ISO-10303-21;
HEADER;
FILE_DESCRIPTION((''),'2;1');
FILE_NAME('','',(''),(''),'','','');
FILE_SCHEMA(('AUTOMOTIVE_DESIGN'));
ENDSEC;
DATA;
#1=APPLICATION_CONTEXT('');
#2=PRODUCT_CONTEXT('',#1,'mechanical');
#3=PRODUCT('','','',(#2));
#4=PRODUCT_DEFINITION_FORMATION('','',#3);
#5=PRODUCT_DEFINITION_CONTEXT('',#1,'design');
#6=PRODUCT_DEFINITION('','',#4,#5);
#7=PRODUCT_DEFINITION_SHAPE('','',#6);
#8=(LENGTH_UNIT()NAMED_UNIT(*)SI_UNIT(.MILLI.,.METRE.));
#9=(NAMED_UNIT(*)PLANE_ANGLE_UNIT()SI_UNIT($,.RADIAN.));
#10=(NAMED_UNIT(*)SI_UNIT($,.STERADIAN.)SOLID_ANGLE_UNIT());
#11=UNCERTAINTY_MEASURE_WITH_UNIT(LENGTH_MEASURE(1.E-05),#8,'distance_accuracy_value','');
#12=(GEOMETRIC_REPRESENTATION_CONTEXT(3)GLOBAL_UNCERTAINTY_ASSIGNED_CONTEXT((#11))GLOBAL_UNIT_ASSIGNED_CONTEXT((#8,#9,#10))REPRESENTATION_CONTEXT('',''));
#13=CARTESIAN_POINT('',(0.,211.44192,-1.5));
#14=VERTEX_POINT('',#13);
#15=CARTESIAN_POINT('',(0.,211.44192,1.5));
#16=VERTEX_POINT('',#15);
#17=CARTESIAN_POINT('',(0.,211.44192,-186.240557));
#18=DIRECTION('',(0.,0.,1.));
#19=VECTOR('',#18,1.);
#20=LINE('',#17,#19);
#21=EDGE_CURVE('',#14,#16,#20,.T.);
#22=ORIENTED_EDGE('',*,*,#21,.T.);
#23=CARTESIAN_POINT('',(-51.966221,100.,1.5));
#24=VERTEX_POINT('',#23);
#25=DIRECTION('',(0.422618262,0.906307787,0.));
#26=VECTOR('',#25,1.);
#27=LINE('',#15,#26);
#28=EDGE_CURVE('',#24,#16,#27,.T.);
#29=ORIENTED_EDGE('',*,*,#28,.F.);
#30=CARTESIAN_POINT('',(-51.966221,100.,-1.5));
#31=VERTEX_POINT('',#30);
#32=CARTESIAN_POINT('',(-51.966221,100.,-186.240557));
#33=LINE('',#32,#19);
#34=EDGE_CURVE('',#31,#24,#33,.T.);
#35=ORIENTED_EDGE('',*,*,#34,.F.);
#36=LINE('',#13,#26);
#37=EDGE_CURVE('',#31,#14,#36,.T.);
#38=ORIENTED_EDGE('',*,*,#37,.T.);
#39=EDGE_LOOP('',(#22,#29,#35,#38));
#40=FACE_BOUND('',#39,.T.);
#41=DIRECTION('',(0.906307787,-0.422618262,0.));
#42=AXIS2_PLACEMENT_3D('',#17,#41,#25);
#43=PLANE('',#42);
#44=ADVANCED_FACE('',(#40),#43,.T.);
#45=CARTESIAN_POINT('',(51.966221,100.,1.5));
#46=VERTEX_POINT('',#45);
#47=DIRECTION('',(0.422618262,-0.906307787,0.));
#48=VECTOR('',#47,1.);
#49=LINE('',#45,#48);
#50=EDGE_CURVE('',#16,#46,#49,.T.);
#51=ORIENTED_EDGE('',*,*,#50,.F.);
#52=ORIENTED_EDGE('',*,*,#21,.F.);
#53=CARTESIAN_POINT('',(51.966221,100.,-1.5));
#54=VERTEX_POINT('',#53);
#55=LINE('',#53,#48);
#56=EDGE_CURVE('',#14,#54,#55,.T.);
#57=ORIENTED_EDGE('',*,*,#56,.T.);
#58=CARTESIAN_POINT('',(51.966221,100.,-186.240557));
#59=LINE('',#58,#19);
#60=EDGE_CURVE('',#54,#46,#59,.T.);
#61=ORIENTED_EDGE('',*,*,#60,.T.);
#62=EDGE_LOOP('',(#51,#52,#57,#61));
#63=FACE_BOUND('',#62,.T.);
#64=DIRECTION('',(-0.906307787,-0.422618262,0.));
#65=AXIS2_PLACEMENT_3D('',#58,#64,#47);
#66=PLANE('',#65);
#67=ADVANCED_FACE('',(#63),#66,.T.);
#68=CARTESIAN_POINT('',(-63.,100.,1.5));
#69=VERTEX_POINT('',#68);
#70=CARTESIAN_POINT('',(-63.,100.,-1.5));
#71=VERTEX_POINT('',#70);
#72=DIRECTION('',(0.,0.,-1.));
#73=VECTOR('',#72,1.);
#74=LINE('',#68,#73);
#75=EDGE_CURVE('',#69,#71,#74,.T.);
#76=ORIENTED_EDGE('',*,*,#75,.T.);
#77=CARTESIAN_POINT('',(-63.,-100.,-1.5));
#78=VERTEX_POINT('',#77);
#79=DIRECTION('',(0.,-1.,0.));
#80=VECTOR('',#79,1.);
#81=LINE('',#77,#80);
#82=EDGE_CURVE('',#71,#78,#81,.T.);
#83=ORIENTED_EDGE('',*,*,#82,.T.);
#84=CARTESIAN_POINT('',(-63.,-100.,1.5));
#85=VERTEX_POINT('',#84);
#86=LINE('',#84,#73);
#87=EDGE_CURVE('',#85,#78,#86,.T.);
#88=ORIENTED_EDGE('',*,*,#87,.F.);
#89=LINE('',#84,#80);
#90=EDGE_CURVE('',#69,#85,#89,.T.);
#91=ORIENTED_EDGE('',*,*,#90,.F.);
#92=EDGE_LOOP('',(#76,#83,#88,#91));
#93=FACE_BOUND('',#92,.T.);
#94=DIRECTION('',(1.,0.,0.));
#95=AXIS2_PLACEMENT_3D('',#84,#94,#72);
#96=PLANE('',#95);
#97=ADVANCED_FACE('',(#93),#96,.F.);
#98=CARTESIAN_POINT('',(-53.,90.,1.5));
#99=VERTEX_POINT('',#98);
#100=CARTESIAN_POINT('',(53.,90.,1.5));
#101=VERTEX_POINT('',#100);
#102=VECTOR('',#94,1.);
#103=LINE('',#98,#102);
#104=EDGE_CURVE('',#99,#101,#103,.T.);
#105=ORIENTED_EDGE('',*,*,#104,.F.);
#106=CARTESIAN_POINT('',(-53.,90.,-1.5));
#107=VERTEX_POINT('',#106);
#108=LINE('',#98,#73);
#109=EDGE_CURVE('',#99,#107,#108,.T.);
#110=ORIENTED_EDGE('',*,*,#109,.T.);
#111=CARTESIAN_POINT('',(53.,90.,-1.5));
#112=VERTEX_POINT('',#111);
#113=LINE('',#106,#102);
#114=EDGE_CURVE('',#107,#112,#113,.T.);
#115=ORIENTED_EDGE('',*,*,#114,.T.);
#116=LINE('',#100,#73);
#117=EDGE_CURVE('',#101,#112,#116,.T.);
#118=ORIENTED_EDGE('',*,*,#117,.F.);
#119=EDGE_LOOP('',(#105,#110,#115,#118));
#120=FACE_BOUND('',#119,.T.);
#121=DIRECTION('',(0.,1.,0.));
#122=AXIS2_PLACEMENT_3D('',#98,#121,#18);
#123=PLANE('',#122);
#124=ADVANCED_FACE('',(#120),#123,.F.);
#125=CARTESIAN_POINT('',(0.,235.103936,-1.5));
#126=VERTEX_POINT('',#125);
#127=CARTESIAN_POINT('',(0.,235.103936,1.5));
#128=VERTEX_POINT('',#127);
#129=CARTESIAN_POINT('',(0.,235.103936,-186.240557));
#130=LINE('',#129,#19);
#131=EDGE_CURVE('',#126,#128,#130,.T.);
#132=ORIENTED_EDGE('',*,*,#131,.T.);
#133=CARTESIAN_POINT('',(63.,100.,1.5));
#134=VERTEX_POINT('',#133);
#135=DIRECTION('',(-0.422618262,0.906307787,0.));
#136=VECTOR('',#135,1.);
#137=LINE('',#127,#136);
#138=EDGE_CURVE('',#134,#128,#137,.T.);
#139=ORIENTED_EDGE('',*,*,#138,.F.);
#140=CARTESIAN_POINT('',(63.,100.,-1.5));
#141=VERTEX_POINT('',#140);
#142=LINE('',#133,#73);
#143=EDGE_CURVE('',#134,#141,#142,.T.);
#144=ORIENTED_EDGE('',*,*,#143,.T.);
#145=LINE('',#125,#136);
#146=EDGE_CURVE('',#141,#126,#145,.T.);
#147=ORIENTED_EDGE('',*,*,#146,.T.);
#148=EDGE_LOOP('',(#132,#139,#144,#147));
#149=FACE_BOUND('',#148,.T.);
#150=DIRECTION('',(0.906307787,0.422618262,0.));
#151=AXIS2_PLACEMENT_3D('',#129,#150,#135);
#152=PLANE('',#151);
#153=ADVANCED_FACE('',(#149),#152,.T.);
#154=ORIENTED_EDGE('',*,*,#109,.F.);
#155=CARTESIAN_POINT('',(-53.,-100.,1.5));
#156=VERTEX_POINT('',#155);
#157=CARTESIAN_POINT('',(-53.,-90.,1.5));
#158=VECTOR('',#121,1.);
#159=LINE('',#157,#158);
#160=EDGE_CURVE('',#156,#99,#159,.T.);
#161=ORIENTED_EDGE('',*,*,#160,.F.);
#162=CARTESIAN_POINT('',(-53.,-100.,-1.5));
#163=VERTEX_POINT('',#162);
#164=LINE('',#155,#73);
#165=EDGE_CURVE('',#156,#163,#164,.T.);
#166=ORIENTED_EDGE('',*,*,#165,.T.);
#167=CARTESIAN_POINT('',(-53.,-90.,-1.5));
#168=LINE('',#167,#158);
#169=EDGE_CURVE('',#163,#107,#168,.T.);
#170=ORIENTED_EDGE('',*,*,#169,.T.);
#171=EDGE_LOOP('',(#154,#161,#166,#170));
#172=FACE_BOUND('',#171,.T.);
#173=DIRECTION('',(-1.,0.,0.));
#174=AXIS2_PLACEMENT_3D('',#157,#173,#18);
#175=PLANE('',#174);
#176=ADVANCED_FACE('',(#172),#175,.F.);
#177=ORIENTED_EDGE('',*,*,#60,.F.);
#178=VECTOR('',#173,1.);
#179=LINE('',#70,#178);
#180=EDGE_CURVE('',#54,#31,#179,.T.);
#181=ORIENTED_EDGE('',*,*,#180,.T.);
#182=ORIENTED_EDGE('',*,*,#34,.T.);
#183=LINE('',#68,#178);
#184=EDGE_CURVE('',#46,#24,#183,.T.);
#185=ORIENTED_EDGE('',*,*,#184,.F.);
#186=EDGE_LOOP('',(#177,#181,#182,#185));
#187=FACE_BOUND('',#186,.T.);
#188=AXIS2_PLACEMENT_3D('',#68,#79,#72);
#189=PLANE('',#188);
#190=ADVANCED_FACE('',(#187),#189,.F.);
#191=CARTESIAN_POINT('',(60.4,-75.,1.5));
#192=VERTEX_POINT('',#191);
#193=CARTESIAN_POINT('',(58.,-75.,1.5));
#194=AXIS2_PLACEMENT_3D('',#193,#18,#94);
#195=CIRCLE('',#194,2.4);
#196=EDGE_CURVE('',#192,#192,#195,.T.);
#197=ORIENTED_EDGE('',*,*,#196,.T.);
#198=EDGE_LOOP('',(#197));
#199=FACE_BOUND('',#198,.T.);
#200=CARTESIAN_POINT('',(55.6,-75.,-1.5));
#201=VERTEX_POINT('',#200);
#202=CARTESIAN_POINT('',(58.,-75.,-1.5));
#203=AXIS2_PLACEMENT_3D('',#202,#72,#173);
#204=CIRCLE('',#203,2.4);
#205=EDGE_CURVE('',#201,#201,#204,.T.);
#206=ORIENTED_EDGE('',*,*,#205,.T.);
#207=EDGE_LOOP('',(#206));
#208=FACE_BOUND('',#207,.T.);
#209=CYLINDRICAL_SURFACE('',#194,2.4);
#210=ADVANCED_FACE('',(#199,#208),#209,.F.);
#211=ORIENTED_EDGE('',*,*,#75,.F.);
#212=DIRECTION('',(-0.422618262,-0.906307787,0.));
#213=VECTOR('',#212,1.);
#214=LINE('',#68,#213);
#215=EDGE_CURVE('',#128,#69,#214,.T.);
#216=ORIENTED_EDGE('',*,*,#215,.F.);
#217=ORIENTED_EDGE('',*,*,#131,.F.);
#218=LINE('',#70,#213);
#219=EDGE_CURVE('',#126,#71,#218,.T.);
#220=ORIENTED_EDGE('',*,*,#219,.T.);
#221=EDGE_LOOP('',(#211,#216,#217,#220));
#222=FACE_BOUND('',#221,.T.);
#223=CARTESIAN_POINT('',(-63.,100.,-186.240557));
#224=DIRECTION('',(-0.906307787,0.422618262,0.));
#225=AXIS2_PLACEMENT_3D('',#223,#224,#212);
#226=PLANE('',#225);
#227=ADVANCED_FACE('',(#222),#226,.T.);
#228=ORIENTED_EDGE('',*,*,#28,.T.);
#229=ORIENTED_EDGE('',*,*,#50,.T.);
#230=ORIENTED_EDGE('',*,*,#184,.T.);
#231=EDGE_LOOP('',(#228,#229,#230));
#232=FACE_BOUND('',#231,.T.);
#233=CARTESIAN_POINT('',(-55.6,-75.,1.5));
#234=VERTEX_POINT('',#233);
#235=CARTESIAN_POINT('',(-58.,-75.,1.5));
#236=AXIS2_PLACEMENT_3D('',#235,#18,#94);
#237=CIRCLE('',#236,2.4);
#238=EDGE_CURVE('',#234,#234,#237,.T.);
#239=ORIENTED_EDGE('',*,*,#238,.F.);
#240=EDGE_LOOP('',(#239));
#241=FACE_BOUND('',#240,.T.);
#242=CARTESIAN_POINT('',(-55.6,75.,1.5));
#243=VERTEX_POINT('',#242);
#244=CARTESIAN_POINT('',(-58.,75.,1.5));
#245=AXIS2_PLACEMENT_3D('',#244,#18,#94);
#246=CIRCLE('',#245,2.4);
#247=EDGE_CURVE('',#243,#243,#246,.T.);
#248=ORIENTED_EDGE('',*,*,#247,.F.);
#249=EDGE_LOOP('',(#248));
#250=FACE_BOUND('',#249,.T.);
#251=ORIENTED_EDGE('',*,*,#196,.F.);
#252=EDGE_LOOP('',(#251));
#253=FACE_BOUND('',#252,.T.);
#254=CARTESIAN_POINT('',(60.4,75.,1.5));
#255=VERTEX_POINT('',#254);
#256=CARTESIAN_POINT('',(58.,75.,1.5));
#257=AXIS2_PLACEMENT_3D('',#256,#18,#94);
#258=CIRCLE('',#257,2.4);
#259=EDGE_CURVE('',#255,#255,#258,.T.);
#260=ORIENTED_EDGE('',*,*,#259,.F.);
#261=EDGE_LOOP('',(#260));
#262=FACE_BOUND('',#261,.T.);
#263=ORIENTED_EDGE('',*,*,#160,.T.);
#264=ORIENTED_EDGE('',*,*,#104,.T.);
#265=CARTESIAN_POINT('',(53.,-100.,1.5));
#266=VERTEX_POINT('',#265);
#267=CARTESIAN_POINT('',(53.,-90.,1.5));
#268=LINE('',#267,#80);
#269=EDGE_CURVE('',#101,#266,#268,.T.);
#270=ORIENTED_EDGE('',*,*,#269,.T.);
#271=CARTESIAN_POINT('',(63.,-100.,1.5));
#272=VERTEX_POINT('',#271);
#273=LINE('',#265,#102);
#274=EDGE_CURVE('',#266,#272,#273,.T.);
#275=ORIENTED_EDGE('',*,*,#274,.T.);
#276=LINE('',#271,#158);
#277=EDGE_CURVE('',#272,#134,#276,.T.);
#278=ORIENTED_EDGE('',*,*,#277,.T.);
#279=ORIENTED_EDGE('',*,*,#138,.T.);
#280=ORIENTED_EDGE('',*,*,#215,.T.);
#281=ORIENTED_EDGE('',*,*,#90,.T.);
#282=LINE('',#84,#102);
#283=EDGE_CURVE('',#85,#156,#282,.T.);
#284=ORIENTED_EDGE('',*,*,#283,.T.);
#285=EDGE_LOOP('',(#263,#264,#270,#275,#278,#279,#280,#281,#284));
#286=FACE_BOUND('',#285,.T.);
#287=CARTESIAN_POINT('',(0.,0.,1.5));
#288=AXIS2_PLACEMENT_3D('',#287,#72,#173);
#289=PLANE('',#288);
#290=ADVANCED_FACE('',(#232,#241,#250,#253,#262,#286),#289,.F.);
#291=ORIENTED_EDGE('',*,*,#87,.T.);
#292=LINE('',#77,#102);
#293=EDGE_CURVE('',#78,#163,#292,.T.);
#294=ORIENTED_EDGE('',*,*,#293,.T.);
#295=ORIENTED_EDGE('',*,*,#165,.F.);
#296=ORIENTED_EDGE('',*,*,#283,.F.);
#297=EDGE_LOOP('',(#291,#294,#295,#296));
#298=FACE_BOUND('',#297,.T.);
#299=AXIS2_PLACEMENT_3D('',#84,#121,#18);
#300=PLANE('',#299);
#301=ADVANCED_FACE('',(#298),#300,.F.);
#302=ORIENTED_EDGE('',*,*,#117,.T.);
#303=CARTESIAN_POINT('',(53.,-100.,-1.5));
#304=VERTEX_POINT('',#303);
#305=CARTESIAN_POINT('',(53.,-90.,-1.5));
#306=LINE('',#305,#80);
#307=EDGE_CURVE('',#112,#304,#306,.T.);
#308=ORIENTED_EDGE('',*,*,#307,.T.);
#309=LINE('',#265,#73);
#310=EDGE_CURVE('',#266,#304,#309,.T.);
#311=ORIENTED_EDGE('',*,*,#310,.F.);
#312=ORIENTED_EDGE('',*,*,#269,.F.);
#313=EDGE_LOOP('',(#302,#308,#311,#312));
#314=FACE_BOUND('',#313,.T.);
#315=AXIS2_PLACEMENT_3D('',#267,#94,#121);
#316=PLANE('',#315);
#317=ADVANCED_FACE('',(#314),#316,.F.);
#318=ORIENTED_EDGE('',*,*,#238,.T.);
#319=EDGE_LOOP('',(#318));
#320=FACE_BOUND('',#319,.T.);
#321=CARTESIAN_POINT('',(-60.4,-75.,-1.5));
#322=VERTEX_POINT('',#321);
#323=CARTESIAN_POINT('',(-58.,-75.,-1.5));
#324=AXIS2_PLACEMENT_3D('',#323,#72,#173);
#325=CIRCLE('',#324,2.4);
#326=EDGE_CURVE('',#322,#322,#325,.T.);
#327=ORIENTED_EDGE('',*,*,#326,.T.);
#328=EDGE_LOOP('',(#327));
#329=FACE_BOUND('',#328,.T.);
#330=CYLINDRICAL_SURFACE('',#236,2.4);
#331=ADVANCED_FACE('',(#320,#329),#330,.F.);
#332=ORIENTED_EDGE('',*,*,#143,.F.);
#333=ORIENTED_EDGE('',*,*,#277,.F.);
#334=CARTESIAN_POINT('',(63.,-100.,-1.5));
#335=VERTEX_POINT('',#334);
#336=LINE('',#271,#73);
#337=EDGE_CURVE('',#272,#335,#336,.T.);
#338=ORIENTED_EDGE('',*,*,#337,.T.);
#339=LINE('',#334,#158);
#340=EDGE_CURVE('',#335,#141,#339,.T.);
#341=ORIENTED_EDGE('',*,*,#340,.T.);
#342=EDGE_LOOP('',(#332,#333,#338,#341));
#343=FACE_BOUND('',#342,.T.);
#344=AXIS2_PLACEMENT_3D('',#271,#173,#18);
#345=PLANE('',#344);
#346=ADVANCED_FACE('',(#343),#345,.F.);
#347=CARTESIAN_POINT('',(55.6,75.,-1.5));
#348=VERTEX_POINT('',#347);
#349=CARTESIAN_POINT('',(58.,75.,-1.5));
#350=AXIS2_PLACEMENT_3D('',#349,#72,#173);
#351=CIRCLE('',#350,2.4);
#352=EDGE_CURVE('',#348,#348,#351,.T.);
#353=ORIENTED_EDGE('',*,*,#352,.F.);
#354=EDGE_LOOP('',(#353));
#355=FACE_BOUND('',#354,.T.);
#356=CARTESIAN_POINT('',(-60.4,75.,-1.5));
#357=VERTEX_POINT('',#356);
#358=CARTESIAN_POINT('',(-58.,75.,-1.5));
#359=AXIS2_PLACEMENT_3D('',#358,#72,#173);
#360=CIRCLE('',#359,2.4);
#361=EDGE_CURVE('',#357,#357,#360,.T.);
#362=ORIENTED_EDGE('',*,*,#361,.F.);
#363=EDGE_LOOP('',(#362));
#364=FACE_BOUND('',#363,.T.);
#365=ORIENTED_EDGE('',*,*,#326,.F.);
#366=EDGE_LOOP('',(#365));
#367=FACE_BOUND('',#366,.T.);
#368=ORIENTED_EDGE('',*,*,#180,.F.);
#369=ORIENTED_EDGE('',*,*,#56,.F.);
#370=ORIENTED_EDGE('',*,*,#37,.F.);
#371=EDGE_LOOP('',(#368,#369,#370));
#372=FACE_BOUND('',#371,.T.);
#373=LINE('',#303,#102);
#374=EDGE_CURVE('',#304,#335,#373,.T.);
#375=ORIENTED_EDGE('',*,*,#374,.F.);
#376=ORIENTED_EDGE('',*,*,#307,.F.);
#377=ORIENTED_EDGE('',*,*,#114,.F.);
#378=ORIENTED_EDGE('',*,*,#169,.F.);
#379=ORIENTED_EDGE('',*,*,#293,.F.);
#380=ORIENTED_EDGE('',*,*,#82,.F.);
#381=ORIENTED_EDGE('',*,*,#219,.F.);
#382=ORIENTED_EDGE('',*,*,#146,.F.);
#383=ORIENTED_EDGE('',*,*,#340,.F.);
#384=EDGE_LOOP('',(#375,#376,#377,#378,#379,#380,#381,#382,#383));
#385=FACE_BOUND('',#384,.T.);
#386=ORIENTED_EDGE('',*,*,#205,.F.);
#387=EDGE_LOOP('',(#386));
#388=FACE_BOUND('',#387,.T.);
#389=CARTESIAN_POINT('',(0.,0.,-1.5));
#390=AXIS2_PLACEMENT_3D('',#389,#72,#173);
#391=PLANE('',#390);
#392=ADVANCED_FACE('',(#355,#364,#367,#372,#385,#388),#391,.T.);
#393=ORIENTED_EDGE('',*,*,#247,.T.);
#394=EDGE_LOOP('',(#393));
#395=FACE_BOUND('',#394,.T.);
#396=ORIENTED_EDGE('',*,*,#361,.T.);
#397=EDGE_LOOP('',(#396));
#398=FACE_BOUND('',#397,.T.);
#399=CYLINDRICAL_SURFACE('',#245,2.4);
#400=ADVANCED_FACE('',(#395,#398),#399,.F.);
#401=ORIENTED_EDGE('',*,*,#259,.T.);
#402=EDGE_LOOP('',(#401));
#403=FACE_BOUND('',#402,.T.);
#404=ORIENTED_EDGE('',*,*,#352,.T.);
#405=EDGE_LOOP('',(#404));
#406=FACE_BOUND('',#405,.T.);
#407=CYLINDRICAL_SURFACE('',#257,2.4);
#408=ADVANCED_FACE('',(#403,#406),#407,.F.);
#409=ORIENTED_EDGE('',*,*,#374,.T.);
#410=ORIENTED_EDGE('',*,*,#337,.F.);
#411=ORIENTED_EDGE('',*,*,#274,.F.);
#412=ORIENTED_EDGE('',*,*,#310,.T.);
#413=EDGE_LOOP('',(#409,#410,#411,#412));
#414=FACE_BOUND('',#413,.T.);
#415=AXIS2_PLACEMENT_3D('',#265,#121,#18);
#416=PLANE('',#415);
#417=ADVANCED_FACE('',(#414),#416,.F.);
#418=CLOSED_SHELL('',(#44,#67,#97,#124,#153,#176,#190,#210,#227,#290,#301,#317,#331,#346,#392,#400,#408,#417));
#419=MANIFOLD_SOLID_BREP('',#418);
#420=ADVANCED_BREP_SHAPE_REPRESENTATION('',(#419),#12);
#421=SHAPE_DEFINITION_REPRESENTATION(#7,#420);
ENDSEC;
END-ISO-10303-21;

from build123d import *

# Parameters (mm, degrees)
RECTANGLE_RIB_DEPTH                  = 1.5
TRIANGLE_RIB_DEPTH                   = 3
M4_CLEARANCE_HOLE1_D                 = 4.8
MIRROR1_AT_THE_SECOND_PLANE_COPY_1_D = 4.8


with BuildPart() as part:
    # Sketch1 → Rectangle Rib (new, symmetric)
    with BuildSketch(Plane.XY):
        Polygon((-63, -100), (-53, -100), (-53, -90), (-53, 90), (53, 90), (53, -90), (53, -100), (63, -100), (63, 100), (-63, 100), align=None)
    extrude(amount=RECTANGLE_RIB_DEPTH, both=True)

    # Sketch2 → Triangle Rib (add)
    with BuildSketch(Plane.XY.offset(1.5)):
        Polygon((-63, 100), (0, 235.103935992), (63, 100), (51.96622081, 100), (0, 211.441920161), (-51.96622081, 100), align=None)
    extrude(amount=-TRIANGLE_RIB_DEPTH)

    # M4 Clearance Hole1 (through all)
    with Locations(Plane.XY.offset(1.5)):
        with Locations((-58, 75)):
            m4_clearance_hole1 = Hole(M4_CLEARANCE_HOLE1_D / 2)

    # Mirror1: M4 Clearance Hole1 across plane
    add(m4_clearance_hole1.mirror(Plane.ZX), mode=Mode.SUBTRACT)

    # Mirror1 at the second plane: M4 Clearance Hole1 across plane
    add(m4_clearance_hole1.mirror(Plane(origin=(0, 0, 0), x_dir=(0, 0, 1), z_dir=(1, 0, 0))), mode=Mode.SUBTRACT)

    # Mirror1 at the second plane copy 1 (through all)
    with Locations(Plane(origin=(0, 0, 1.5), x_dir=(-1, 0, 0), z_dir=(0, 0, 1))):
        with Locations((-58, 75)):
            Hole(MIRROR1_AT_THE_SECOND_PLANE_COPY_1_D / 2)


solid = part.part
